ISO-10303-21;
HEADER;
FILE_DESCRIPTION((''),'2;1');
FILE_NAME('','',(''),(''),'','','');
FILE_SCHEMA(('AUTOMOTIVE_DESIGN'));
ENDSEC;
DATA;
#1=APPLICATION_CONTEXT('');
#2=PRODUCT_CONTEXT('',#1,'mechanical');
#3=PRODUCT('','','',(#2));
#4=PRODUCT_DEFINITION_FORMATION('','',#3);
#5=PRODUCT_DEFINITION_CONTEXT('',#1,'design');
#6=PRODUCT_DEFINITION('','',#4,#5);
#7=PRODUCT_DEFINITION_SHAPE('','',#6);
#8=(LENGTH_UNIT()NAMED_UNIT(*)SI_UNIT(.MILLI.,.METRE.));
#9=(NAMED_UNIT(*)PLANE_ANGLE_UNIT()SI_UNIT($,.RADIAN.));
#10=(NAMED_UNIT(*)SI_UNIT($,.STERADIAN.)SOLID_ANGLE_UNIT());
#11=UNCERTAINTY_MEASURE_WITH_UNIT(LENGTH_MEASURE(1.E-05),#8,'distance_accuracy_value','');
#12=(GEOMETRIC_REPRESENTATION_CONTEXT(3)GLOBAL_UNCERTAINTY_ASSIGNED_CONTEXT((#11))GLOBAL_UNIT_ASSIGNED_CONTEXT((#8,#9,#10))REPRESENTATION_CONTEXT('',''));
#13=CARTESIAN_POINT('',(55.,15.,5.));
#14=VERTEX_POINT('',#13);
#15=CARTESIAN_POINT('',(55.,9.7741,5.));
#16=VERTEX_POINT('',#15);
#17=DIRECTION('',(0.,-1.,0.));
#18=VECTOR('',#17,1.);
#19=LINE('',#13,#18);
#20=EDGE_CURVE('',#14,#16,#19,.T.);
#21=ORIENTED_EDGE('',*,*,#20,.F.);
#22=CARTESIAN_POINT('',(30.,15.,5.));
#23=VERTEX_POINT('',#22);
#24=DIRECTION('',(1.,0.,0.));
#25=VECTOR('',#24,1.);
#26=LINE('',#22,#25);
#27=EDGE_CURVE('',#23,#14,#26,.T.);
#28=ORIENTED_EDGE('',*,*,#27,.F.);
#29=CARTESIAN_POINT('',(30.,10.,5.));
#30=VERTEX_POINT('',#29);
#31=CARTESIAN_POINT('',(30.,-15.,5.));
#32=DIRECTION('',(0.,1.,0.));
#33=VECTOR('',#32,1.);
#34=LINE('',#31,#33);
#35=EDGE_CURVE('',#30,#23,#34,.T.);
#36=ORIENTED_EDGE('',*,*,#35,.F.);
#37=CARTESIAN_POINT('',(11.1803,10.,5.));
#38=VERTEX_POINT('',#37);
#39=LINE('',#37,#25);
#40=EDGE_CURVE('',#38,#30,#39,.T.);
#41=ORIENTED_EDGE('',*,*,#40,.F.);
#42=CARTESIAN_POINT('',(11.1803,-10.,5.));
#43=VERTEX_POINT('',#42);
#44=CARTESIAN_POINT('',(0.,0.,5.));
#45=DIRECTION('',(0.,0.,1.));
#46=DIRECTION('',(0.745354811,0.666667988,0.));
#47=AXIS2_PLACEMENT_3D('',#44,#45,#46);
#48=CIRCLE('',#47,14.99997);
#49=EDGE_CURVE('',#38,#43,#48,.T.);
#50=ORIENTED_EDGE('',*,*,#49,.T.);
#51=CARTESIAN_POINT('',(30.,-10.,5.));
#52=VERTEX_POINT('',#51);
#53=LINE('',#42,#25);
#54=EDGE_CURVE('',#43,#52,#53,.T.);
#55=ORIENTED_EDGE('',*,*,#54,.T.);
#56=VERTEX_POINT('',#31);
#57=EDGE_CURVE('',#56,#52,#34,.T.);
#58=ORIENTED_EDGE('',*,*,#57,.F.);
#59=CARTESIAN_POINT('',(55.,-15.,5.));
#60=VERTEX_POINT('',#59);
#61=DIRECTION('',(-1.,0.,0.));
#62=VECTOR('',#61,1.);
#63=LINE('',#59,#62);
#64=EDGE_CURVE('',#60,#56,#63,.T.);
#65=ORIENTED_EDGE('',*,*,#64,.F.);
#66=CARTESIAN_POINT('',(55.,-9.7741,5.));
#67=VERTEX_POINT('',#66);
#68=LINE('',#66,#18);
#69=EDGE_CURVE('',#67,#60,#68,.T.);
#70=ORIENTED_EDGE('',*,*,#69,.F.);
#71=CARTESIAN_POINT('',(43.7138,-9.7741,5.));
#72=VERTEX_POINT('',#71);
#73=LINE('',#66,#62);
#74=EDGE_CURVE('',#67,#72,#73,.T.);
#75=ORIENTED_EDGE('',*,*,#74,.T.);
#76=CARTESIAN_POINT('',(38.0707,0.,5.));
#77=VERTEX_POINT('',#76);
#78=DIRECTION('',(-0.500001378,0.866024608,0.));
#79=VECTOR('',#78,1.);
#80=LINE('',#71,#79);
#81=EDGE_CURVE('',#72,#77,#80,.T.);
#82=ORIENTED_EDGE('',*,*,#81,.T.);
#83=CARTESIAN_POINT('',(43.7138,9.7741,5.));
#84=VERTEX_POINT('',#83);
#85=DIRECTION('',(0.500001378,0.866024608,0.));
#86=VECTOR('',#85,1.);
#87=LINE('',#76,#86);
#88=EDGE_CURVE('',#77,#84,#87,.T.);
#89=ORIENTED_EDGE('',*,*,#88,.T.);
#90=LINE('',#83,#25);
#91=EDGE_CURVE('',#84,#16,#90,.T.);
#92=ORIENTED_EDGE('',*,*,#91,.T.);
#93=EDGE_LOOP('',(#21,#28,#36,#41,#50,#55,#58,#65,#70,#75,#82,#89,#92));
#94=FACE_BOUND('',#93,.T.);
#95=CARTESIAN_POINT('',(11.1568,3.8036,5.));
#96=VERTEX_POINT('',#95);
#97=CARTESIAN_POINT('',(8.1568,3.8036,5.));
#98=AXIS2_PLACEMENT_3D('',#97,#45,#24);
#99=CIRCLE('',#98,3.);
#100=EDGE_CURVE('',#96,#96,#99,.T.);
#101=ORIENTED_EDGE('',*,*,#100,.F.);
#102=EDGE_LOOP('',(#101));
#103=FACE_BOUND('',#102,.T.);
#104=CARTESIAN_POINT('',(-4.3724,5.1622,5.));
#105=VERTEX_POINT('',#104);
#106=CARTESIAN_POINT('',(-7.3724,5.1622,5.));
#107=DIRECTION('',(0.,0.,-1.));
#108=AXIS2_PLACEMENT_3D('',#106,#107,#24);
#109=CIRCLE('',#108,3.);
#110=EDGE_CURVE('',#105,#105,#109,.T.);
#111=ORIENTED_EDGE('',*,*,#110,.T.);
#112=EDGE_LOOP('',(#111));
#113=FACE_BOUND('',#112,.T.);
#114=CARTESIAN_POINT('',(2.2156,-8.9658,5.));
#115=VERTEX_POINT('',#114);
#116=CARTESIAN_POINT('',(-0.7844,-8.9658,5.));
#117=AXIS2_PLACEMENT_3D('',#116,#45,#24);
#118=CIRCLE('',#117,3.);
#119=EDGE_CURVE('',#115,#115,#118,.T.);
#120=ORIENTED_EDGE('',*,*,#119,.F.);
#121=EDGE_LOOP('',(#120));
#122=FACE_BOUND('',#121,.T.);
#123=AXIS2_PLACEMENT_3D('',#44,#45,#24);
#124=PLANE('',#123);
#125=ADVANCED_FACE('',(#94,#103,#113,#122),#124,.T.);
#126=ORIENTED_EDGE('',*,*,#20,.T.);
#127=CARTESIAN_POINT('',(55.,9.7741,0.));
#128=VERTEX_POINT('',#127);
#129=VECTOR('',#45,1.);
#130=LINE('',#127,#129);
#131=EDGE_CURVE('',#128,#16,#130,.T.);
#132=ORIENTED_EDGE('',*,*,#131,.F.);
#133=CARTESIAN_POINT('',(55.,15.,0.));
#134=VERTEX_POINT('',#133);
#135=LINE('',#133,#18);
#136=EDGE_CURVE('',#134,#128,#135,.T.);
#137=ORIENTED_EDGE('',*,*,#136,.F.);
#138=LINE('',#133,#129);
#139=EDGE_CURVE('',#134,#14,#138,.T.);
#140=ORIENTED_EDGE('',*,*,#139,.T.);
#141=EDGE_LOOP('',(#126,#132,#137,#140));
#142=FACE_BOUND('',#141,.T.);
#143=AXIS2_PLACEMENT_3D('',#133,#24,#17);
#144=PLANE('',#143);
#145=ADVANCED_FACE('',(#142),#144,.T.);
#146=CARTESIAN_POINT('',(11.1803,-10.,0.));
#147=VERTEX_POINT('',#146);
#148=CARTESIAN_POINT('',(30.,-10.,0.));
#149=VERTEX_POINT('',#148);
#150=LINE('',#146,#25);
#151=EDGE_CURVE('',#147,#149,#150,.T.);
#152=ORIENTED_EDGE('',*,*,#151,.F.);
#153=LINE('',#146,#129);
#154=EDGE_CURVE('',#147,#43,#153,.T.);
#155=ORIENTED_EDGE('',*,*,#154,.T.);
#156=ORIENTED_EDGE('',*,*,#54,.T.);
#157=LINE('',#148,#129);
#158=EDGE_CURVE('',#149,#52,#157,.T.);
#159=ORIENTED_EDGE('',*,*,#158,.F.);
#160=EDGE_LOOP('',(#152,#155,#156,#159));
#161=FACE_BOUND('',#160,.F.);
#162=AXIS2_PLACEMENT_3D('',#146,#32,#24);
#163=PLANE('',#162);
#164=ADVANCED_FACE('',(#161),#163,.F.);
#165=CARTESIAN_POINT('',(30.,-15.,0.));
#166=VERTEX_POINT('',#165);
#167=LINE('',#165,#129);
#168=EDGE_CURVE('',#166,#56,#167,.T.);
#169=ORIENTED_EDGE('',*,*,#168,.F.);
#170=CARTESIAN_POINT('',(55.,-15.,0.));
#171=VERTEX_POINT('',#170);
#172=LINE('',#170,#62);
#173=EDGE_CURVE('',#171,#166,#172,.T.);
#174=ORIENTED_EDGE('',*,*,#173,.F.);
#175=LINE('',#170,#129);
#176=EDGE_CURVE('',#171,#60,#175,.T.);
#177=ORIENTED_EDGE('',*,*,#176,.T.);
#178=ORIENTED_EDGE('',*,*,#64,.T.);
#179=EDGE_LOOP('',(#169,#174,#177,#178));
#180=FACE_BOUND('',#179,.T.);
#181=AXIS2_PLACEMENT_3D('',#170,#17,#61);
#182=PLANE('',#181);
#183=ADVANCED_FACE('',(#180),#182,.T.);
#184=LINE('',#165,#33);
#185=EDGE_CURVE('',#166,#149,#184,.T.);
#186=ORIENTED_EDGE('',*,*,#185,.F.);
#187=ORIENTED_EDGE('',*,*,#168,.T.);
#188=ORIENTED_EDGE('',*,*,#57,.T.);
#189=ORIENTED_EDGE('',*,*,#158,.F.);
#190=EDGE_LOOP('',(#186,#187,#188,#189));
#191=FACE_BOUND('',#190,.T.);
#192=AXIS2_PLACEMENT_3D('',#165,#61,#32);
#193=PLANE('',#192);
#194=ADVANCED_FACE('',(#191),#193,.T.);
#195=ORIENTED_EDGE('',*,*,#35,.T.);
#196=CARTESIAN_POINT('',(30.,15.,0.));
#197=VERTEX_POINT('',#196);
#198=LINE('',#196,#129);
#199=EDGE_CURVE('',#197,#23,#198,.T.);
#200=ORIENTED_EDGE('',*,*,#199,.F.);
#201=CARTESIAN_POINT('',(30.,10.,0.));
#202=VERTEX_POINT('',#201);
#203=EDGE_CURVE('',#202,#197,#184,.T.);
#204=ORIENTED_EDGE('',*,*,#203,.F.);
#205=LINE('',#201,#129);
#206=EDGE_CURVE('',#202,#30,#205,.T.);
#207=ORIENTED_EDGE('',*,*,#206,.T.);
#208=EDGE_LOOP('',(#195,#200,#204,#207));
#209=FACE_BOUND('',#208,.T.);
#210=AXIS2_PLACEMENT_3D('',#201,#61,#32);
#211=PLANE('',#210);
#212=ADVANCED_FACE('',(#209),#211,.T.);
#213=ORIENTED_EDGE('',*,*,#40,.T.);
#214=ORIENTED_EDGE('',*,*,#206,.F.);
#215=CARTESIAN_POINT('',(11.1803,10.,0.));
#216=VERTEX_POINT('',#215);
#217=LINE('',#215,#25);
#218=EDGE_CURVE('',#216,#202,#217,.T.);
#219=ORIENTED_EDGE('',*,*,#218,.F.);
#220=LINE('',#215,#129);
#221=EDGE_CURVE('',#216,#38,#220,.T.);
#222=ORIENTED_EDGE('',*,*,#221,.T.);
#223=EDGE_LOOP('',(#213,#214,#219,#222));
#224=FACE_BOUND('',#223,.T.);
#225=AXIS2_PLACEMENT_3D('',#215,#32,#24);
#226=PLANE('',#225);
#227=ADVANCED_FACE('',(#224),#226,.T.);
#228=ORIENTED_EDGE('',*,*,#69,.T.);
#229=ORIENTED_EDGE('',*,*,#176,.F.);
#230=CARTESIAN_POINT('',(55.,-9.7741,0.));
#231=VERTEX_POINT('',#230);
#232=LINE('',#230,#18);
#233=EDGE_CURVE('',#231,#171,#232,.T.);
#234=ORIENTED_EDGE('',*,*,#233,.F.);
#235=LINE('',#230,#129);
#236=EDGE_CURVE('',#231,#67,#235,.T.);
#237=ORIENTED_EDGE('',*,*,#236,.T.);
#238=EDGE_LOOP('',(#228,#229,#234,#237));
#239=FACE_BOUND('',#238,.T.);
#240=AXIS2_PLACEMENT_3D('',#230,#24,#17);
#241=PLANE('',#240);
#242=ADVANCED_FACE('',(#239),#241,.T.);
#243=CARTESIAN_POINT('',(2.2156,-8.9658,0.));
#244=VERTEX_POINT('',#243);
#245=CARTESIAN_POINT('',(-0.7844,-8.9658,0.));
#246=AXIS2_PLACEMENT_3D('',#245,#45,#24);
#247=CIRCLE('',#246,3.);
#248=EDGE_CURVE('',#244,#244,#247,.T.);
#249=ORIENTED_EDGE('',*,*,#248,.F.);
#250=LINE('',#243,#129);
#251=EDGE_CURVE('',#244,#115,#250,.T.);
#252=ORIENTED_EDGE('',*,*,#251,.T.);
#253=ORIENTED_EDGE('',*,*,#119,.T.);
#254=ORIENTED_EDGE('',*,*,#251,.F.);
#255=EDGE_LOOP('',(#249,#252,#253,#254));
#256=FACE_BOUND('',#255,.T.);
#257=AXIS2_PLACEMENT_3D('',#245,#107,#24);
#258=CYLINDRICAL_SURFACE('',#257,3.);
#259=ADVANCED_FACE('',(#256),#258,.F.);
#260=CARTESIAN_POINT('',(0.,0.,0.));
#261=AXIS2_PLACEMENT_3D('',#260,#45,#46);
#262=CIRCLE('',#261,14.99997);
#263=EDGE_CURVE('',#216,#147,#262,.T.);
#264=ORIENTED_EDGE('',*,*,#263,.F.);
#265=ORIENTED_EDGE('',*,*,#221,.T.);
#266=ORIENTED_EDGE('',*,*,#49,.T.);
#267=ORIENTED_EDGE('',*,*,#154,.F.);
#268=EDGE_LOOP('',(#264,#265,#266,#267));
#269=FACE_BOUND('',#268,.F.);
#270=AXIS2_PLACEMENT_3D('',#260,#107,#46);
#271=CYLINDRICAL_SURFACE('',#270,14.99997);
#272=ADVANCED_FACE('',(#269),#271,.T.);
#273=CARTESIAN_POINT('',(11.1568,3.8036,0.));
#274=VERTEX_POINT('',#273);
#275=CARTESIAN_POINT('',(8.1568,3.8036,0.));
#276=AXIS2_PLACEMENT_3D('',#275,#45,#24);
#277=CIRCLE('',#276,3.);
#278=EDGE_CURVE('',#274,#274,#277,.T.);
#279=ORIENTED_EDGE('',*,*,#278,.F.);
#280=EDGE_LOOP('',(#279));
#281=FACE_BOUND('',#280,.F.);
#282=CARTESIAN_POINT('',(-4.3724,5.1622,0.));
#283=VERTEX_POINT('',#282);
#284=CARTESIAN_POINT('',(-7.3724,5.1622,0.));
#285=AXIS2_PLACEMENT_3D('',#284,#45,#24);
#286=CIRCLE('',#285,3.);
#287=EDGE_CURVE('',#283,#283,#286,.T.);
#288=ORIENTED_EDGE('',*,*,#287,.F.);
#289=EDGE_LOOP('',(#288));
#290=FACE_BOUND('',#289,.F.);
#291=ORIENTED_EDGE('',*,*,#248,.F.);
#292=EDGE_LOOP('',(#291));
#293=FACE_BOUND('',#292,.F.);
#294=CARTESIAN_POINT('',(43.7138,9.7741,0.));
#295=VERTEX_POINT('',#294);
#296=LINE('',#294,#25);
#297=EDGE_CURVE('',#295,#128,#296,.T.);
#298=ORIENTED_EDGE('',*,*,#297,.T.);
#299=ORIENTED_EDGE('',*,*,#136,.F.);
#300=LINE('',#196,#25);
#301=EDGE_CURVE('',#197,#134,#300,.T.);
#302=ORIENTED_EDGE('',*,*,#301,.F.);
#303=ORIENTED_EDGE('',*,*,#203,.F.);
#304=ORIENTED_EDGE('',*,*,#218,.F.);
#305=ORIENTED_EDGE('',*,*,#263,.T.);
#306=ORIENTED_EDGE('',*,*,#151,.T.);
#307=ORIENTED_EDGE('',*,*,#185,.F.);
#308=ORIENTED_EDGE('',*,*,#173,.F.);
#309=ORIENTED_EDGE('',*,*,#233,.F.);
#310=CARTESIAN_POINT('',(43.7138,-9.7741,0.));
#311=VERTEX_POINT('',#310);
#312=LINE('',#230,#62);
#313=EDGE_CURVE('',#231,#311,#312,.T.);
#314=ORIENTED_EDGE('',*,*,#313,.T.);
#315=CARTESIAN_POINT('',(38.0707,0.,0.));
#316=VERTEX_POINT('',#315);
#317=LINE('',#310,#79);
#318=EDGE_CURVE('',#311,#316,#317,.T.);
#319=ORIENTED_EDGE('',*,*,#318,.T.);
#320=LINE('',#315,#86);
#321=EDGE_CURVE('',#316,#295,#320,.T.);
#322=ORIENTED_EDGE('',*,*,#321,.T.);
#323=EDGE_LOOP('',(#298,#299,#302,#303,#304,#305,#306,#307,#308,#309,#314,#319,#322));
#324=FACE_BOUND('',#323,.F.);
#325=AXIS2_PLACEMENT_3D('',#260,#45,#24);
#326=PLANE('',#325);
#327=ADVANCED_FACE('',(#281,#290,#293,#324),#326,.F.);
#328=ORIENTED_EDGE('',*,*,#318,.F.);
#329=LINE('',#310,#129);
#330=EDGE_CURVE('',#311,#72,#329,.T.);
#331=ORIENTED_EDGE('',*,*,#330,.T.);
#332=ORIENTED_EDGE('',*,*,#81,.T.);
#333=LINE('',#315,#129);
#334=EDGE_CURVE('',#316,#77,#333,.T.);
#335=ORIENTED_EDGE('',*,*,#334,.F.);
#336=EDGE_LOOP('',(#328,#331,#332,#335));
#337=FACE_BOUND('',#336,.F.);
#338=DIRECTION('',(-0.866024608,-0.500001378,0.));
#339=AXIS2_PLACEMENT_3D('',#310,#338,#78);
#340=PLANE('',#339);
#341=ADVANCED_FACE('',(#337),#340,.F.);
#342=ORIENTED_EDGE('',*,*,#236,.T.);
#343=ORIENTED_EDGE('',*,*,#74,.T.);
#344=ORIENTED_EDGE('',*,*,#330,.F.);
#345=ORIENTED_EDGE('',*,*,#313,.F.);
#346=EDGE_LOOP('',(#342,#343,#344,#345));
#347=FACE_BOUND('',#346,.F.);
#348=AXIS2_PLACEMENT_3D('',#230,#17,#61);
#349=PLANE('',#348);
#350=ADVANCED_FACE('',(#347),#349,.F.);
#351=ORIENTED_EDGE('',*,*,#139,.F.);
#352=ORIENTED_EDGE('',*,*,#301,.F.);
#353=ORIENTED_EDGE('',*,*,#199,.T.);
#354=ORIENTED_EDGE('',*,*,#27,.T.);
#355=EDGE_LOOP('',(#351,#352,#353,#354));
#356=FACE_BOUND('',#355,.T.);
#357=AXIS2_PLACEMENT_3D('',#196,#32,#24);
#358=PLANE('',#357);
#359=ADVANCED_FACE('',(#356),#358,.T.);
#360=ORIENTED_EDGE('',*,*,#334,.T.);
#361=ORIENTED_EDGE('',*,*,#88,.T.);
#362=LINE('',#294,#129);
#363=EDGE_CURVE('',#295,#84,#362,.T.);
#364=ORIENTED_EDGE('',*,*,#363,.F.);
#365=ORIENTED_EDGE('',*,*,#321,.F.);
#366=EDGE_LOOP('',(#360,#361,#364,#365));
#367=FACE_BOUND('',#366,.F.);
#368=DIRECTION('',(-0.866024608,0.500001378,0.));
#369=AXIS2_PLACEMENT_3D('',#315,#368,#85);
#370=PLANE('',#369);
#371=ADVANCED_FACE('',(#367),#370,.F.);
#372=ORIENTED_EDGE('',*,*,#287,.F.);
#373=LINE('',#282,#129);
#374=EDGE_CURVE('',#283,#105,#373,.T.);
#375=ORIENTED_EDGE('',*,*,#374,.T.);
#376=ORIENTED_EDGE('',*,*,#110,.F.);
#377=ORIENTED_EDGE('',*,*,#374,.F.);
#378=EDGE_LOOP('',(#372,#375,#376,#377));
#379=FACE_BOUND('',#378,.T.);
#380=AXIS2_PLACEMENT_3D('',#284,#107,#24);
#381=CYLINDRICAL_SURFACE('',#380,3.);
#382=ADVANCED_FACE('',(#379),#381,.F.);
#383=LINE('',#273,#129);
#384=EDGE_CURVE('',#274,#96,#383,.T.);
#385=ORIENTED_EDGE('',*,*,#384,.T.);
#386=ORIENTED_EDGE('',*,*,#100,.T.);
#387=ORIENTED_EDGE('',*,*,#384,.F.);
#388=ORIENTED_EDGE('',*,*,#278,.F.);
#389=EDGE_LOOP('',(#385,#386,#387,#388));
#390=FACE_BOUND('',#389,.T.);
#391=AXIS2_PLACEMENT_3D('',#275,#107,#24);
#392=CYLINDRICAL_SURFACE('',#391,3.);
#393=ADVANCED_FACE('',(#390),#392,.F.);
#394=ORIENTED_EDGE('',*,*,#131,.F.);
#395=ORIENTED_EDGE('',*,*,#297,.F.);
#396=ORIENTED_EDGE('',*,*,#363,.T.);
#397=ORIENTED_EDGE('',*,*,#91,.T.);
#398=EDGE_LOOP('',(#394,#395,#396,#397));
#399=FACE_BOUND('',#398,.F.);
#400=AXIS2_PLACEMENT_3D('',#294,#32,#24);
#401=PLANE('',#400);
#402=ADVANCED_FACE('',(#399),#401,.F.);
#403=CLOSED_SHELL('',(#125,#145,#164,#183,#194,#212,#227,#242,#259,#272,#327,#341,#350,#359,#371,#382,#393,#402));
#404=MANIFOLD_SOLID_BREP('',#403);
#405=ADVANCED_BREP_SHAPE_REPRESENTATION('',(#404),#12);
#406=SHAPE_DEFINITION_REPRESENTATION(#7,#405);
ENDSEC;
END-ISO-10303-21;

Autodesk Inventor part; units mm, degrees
ref_plane "YZ Plane" through (0, 0, 0) normal (1, 0, 0) x (0, 1, 0)
ref_plane "XZ Plane" through (0, 0, 0) normal (0, 1, 0) x (-1, 0, 0)
ref_plane "XY Plane" through (0, 0, 0) normal (0, 0, 1) x (1, 0, 0)
sketch "Эскиз1" plane through (0, 0, 0) normal (0, 0, 1) x (1, 0, 0)
  arc A0 (11.1803, 10) -> (11.1803, -10) centre (0, 0) ccw
  line L0 (30, 15) -> (55, 15)
  line L1 (55, -15) -> (30, -15)
  line L2 (30, -15) -> (30, 15)
  line L3 (11.1803, 10) -> (30, 10)
  line L4 (11.1803, -10) -> (30, -10)
  line L5 (-7.3724, 5.1622) -> (0, 0)
  line L6 (0, 9) -> (0, 0)
  circle A1 centre (-7.3724, 5.1622) radius 3
  circle A2 centre (-0.7844, -8.9658) radius 3
  circle A3 centre (8.1568, 3.8036) radius 3
  line L7 (55, -9.7741) -> (43.7138, -9.7741)
  line L8 (43.7138, -9.7741) -> (38.0707, 0)
  line L9 (38.0707, 0) -> (43.7138, 9.7741)
  line L10 (43.7138, 9.7741) -> (55, 9.7741)
  line L11 (55, 9.7741) -> (54.9588, 9.8455)
  line L12 (55, 15) -> (55, 9.7741)
  line L13 (55, -9.7741) -> (55, -15)
  point P0 (49.3569, 0)
  dimension "d0" = 15
  dimension "d1" = 25
  dimension "d2" = 30
  dimension "d3" = 15
  dimension "d4" = 30
  dimension "d5" = 10
  dimension "d6" = 20
  dimension "d8" = 9
  dimension "d9" = 55
  dimension "d10" = 6
  dimension "d13" = 360
extrude "Выдавливание1" add sketch "Эскиз1" along normal blind 5
properties part number "Деталь1 Курганова"
